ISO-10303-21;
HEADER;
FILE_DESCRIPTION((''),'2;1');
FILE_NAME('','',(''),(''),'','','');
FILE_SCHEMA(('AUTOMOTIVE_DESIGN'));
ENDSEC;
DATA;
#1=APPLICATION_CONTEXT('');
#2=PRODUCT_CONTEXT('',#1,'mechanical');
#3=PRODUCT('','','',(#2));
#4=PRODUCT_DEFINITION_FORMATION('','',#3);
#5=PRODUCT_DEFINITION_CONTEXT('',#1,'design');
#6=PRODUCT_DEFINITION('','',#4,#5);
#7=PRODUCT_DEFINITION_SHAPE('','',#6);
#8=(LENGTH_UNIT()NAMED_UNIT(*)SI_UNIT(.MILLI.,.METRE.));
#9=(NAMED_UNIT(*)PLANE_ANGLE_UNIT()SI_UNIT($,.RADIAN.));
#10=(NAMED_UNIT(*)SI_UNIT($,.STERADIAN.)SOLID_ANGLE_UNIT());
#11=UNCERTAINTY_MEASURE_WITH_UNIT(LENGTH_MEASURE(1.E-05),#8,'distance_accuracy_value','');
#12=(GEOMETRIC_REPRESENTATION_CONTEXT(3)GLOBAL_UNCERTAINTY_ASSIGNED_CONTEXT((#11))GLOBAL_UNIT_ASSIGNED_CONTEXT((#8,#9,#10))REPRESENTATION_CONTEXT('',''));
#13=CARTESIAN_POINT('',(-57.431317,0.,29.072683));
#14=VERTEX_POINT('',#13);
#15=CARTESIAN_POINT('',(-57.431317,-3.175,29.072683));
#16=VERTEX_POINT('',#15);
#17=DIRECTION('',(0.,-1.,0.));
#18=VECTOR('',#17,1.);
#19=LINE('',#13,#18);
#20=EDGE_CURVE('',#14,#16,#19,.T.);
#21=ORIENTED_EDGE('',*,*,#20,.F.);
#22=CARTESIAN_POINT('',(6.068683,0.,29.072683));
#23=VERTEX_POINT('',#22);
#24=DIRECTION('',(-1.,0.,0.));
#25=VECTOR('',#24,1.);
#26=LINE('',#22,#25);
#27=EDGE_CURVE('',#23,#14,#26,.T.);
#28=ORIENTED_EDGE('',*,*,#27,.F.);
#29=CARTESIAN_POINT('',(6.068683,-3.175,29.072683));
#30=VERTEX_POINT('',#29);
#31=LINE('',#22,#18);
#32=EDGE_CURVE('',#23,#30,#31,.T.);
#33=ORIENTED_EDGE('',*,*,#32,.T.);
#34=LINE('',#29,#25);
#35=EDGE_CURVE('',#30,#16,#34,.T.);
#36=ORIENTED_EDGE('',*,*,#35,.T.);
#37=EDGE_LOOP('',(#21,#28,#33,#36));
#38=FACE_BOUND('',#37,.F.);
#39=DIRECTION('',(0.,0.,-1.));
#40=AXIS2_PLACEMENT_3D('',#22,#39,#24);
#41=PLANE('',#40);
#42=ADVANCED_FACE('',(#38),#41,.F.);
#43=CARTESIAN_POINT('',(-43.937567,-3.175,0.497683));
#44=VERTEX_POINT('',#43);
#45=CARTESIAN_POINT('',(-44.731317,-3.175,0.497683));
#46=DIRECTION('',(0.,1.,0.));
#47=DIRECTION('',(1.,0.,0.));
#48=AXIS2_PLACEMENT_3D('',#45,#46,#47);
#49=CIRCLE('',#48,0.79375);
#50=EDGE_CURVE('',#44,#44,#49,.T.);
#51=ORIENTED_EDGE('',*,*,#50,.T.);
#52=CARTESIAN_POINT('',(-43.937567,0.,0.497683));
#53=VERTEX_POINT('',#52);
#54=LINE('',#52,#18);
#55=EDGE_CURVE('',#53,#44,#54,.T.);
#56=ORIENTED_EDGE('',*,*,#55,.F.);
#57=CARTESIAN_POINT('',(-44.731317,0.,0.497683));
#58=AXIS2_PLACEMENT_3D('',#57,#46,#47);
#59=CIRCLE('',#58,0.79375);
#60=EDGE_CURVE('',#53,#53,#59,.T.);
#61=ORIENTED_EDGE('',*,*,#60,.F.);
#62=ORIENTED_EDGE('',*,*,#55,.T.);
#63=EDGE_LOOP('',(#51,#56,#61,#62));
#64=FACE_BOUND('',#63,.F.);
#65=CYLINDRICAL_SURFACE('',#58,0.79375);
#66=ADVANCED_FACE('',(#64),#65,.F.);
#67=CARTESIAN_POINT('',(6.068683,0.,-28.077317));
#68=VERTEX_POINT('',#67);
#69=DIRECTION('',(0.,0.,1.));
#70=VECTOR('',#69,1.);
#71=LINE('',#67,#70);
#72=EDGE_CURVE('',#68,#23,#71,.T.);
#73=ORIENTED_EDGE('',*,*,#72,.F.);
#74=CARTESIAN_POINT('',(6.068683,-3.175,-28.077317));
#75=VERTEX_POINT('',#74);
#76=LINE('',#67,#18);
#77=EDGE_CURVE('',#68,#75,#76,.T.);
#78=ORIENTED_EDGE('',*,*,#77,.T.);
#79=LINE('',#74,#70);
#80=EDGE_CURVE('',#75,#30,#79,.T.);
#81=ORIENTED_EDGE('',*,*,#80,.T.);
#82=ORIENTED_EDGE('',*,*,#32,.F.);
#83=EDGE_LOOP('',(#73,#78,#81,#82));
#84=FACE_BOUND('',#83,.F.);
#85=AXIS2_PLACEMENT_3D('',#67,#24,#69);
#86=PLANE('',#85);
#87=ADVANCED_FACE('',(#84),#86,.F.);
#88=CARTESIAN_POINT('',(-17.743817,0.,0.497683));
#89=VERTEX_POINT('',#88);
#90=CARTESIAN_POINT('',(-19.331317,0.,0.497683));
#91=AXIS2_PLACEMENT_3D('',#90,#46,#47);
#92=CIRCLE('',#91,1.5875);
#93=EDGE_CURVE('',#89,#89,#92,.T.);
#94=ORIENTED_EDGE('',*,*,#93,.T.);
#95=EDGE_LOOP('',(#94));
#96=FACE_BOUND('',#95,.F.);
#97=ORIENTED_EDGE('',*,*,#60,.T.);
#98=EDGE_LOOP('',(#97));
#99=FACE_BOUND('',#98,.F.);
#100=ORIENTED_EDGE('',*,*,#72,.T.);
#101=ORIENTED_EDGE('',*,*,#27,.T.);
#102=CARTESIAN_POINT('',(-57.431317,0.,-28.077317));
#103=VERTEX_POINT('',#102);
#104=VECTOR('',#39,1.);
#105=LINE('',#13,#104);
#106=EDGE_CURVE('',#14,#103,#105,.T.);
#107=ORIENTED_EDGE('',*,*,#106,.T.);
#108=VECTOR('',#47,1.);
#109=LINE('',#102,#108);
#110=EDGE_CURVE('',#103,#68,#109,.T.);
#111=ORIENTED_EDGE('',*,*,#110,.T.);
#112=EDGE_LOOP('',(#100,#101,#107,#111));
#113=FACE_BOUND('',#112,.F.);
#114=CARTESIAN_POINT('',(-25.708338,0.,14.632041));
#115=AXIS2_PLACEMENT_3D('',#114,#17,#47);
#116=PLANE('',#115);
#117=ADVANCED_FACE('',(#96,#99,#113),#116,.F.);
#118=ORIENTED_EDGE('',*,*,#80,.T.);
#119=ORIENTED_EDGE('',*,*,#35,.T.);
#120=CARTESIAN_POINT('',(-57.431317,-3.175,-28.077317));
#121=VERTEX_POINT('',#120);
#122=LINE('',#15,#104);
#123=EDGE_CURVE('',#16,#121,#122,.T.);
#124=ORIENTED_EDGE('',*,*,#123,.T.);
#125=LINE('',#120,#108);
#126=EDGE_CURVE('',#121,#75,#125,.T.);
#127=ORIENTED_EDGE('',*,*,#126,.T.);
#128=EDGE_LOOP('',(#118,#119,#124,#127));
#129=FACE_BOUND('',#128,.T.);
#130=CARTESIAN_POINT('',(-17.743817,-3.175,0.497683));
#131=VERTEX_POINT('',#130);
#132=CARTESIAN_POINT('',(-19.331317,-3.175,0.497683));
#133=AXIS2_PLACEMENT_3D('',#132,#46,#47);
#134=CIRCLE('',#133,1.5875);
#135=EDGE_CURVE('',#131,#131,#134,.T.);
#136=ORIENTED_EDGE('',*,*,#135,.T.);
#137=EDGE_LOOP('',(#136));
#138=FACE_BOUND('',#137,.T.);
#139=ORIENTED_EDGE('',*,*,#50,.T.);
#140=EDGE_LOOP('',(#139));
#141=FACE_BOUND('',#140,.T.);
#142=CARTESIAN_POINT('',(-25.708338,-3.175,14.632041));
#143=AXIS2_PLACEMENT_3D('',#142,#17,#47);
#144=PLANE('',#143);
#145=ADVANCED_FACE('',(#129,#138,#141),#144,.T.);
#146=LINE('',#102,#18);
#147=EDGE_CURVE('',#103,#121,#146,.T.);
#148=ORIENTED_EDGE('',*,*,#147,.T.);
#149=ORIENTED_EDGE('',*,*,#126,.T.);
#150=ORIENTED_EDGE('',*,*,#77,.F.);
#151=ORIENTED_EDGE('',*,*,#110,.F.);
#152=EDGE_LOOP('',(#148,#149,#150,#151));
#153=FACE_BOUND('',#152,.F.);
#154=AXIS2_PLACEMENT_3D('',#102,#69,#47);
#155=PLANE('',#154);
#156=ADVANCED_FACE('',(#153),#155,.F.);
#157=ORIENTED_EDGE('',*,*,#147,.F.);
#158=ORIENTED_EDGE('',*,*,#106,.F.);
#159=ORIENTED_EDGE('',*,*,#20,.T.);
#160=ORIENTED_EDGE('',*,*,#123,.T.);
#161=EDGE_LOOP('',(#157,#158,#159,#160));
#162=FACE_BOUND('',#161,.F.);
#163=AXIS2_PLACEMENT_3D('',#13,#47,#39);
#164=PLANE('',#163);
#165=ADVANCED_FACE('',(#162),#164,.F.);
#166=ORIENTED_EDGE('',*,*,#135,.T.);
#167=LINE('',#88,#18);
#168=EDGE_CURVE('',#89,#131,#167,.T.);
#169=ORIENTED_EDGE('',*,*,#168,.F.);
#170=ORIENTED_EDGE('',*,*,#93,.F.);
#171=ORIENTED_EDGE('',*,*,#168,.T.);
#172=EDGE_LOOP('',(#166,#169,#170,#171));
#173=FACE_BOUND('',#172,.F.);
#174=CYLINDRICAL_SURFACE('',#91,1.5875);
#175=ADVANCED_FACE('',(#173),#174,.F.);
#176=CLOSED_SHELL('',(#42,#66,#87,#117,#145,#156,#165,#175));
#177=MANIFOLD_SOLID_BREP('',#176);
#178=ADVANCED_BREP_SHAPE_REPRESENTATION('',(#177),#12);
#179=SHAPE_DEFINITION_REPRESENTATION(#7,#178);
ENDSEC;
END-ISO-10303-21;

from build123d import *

# Parameters (mm, degrees)
F1_DEPTH = 3.175


with BuildPart() as f1:
    # F0 (on Front) → F1 (new body)
    with BuildSketch(Plane.XZ):
        with BuildLine():
            Line((6.068683, 0.497683), (6.068683, 29.072683))
            Line((6.068683, 29.072683), (-57.431317, 29.072683))
            Line((-57.431317, 29.072683), (-57.431317, 0.497683))
            Line((-57.431317, 0.497683), (-45.525067, 0.497683))
            ThreePointArc((-45.525067, 0.497683), (-44.731317, 1.291433), (-43.937567, 0.497683))
            Line((-43.937567, 0.497683), (-20.918817, 0.497683))
            ThreePointArc((-20.918817, 0.497683), (-19.331317, 2.085183), (-17.743817, 0.497683))
            Line((-17.743817, 0.497683), (6.068683, 0.497683))
        make_face()
        with BuildLine():
            Line((6.068683, -28.077317), (6.068683, 0.497683))
            Line((6.068683, 0.497683), (-17.743817, 0.497683))
            ThreePointArc((-17.743817, 0.497683), (-19.331317, -1.089817), (-20.918817, 0.497683))
            Line((-20.918817, 0.497683), (-43.937567, 0.497683))
            ThreePointArc((-43.937567, 0.497683), (-44.731317, -0.296067), (-45.525067, 0.497683))
            Line((-45.525067, 0.497683), (-57.431317, 0.497683))
            Line((-57.431317, 0.497683), (-57.431317, -28.077317))
            Line((-57.431317, -28.077317), (6.068683, -28.077317))
        make_face()
    extrude(amount=F1_DEPTH)


solid = f1.part
